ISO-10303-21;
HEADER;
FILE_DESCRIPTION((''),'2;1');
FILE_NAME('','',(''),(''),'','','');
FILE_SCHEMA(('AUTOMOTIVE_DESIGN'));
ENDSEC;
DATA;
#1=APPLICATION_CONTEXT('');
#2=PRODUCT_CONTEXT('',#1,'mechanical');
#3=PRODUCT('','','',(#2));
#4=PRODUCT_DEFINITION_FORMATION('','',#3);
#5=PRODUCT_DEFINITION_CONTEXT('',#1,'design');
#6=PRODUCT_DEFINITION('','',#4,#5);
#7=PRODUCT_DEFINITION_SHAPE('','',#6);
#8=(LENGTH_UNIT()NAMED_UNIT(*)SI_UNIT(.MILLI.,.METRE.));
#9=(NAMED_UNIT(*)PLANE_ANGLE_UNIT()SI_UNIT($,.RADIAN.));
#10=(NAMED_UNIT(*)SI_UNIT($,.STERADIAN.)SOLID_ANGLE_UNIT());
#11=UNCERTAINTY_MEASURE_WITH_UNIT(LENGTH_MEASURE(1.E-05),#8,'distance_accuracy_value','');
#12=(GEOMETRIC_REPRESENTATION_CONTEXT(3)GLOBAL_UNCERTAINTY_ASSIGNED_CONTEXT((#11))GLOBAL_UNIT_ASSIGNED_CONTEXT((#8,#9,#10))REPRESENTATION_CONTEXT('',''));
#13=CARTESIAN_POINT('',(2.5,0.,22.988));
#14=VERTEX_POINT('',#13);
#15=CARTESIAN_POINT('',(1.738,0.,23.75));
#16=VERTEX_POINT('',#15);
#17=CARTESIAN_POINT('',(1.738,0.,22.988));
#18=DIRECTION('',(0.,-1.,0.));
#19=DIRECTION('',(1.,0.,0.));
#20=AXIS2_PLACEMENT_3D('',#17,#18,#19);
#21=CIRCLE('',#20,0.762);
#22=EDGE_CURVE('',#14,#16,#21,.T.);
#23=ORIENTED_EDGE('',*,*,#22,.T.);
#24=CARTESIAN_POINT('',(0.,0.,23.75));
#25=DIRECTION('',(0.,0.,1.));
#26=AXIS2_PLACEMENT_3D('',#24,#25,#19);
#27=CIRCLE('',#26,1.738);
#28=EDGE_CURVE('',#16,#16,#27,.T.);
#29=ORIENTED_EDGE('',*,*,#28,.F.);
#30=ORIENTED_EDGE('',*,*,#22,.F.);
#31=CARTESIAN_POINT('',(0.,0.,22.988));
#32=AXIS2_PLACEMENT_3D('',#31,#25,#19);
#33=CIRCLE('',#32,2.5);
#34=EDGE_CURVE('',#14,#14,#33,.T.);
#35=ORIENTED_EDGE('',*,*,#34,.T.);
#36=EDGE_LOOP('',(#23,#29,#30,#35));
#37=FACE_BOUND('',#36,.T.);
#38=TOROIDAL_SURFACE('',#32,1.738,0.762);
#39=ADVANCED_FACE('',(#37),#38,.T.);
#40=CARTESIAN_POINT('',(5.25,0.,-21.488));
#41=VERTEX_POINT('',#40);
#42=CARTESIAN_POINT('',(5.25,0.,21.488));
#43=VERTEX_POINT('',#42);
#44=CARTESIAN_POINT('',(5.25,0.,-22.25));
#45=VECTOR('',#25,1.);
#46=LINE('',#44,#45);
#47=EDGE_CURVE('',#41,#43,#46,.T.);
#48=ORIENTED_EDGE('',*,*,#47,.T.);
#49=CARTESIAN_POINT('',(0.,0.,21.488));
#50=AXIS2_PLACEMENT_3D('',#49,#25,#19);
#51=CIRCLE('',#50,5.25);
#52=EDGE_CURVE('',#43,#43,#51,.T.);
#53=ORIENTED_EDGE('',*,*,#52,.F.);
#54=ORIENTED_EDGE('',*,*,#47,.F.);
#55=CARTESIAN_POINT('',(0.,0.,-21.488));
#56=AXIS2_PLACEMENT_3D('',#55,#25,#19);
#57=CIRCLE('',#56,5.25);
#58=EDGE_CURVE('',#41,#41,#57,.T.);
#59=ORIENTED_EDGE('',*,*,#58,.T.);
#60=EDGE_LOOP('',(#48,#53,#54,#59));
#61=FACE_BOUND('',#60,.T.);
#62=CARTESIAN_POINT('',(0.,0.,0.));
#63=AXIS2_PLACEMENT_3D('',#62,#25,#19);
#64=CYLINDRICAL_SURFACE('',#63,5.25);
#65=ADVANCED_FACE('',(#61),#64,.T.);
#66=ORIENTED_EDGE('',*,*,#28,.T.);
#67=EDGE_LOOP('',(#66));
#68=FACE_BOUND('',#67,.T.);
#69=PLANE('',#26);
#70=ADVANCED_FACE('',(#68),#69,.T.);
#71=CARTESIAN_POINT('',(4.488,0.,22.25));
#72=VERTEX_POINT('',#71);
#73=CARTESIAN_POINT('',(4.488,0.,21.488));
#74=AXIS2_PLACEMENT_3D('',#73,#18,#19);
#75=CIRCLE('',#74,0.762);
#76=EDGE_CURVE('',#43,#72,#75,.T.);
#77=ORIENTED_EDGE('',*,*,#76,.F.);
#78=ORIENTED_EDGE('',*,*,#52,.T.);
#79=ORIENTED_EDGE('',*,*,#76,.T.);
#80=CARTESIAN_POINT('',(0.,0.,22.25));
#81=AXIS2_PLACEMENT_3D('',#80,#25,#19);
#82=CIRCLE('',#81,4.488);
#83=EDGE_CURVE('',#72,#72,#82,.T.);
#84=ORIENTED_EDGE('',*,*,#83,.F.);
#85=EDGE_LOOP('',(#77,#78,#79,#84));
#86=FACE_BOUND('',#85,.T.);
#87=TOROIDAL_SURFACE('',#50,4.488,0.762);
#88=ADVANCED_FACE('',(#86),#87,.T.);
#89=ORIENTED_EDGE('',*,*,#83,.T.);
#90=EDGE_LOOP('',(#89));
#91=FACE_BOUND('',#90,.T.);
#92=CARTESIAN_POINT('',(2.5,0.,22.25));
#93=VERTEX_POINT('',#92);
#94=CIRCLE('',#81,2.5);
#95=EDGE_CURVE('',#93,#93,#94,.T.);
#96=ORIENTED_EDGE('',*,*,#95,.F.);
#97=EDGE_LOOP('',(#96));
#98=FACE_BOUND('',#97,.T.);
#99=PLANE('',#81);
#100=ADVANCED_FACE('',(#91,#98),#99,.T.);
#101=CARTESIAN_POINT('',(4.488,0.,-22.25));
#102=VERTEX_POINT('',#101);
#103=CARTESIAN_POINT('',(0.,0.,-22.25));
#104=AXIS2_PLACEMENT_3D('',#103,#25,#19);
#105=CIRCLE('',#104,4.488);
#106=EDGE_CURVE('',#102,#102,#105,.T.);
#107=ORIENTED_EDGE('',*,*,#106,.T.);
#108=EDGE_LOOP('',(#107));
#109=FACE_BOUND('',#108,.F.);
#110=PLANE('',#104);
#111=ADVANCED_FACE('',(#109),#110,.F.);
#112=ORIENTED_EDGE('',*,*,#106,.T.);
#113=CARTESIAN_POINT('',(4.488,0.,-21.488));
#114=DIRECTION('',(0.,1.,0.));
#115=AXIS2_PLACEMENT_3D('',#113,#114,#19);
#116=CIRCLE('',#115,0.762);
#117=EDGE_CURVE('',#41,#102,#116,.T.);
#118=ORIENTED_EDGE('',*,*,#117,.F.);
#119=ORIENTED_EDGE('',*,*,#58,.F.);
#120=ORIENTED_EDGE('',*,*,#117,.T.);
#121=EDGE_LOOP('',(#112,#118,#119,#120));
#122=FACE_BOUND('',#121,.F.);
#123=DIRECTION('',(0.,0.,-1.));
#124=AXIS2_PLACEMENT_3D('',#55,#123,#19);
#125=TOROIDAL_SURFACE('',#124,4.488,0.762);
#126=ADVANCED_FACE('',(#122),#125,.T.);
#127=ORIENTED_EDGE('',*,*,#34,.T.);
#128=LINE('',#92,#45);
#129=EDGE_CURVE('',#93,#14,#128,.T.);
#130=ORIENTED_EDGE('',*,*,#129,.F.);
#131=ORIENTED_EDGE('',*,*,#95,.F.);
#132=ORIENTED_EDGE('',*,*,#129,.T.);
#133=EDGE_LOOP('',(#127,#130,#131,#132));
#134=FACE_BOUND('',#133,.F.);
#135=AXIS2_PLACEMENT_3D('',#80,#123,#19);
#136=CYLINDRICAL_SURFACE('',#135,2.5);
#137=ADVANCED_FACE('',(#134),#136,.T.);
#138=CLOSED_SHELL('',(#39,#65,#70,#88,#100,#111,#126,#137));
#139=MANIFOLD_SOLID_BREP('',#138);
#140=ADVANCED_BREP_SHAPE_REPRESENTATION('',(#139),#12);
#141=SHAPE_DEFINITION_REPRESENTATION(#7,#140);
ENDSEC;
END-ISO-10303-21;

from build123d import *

# Parameters (mm, degrees)
F0_R     = 5.25
F1_DEPTH = 22.25
F2_R     = 2.5
F3_DEPTH = 1.5
F4_R     = 0.762


with BuildPart() as f1:
    # F0 (on Top) → F1 (new body, symmetric)
    with BuildSketch(Plane.XY):
        Circle(F0_R)
    extrude(amount=F1_DEPTH, both=True)

    # F2 (on face) → F3 (join)
    with BuildSketch(Plane.XY.offset(22.25)):
        Circle(F2_R)
    extrude(amount=F3_DEPTH)

    # F4
    f4_edges = [f1.edges().sort_by_distance(p)[0] for p in [
        (-2.5, 0, 23.75),
        (-5.25, 0, -22.25),
        (-5.25, 0, 22.25),
    ]]
    fillet(f4_edges, radius=F4_R)


solid = f1.part
